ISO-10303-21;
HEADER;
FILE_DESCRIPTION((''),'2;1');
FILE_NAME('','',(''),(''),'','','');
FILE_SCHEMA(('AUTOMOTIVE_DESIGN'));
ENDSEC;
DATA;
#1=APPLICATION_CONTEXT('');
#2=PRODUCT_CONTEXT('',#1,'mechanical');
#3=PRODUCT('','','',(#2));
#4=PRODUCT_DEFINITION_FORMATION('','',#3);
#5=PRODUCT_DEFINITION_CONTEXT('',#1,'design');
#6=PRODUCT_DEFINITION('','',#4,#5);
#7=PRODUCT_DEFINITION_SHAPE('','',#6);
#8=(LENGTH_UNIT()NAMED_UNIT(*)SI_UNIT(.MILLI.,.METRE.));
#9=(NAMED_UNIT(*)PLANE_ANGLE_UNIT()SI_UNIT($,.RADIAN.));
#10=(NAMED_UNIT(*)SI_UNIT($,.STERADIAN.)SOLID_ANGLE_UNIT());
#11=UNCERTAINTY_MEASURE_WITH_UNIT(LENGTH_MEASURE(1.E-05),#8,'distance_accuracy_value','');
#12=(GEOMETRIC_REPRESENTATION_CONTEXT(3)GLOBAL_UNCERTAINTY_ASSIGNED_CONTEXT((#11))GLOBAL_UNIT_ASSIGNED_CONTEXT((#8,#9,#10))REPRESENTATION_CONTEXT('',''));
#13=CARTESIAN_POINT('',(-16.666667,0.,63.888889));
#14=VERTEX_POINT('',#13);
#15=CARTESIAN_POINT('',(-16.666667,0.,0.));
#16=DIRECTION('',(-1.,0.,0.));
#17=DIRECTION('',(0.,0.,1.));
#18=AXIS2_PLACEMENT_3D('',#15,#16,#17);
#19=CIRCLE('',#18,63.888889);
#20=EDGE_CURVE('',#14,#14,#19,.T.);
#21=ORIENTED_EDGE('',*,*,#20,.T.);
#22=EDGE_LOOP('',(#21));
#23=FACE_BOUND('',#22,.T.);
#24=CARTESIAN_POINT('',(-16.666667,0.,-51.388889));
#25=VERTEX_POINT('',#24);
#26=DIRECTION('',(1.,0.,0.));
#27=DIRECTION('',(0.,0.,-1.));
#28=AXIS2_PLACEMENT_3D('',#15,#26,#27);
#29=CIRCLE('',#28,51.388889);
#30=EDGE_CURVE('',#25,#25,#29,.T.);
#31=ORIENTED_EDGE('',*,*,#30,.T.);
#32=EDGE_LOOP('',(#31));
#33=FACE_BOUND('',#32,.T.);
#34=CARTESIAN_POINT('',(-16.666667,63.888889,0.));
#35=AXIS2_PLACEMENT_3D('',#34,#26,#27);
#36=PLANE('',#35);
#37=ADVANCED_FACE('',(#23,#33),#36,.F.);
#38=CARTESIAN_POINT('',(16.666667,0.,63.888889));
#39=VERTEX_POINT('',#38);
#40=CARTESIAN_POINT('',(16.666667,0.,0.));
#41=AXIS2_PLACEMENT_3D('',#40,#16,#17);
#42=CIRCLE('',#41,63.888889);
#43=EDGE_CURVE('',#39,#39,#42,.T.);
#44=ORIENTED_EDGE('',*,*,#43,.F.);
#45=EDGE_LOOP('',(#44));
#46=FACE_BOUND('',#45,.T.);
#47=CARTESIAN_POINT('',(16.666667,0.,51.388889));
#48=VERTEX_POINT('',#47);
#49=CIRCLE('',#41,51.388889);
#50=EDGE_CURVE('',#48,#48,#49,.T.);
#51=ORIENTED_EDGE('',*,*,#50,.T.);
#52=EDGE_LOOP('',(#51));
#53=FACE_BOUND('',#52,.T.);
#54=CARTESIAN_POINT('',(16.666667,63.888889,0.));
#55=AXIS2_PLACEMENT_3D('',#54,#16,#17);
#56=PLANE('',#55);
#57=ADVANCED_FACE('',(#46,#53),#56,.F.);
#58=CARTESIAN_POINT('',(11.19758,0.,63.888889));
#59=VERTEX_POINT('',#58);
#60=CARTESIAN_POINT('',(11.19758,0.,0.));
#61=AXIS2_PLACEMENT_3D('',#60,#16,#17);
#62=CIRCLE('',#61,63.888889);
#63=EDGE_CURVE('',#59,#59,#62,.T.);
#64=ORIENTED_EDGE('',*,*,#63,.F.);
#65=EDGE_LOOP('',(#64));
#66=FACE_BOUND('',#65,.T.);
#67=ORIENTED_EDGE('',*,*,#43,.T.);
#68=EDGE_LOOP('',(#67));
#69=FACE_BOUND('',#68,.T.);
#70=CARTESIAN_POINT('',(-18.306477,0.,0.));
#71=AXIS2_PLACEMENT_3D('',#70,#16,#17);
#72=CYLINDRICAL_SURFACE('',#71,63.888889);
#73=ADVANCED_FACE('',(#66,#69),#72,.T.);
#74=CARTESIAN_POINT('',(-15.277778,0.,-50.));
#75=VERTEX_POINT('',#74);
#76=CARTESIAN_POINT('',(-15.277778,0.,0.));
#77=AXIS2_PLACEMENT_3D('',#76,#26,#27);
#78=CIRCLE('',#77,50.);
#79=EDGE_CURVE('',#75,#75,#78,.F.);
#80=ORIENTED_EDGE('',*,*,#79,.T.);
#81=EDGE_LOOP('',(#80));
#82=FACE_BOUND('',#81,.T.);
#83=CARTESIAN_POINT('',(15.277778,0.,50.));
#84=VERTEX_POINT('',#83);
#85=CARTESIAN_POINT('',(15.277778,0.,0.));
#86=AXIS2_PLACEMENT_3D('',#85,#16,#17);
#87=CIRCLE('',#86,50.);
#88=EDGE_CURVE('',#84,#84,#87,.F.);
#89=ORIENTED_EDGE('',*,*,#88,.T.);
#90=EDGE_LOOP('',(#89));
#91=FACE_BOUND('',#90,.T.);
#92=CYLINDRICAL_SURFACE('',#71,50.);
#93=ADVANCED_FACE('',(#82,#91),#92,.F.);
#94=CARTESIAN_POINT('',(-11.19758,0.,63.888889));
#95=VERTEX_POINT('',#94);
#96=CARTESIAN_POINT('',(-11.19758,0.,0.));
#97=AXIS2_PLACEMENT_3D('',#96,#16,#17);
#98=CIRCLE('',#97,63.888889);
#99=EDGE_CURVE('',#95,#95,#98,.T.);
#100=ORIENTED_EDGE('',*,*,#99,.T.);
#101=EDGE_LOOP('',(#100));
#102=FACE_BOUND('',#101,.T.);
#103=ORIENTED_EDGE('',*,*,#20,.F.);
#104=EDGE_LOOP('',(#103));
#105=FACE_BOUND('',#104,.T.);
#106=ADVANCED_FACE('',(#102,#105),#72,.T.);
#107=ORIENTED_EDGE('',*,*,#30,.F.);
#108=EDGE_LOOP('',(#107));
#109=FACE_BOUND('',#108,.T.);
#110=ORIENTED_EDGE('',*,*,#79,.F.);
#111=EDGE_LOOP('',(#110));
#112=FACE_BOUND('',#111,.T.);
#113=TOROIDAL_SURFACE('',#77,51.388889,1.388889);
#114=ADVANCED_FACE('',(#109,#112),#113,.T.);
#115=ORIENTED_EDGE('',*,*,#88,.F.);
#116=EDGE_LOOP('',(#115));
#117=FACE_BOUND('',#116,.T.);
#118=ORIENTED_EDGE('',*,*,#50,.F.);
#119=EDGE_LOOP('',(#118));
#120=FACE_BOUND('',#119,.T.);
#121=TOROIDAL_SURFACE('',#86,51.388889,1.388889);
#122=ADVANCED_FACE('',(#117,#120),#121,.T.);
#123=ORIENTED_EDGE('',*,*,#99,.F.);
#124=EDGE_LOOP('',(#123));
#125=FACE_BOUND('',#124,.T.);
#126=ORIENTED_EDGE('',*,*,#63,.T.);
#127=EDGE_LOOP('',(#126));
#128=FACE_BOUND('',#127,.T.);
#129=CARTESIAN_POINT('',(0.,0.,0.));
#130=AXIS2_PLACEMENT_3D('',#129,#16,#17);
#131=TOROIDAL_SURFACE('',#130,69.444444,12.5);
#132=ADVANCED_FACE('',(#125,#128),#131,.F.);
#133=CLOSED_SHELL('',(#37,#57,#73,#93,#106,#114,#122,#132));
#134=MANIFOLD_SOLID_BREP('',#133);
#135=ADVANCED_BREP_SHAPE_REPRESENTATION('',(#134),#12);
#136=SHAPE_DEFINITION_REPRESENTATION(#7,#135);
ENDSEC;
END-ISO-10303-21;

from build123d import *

# Parameters (mm, degrees)
FILLET1_R    = 5
SCALE1_SCALE = 0.277777778


with BuildPart() as part:
    # Sketch1 → Revolve1 (revolve)
    with BuildSketch(Plane.XY, mode=Mode.PRIVATE) as revolve1_sk:
        with BuildLine():
            Line((-40.311288741, 230), (-60, 230))
            Line((-60, 230), (-60, 180))
            Line((-60, 180), (60, 180))
            Line((60, 180), (60, 230))
            Line((60, 230), (40.311288741, 230))
            ThreePointArc((40.311288741, 230), (0, 205), (-40.311288741, 230))
        make_face()
    revolve(revolve1_sk.sketch.rotate(Axis((-65.903316358, 0, 0), (1, 0, 0)), 90), axis=Axis((-65.903316358, 0, 0), (1, 0, 0)))

    # Fillet1
    fillet1_edges = [part.edges().sort_by_distance(p)[0] for p in [
        (60, 0, -180),
        (-60, 0, -180),
    ]]
    fillet(fillet1_edges, radius=FILLET1_R)


with BuildPart() as part_1:
    # Scale1: scaled about (0, 0, 0)
    add(part.part.scale(SCALE1_SCALE))


solid = part_1.part
